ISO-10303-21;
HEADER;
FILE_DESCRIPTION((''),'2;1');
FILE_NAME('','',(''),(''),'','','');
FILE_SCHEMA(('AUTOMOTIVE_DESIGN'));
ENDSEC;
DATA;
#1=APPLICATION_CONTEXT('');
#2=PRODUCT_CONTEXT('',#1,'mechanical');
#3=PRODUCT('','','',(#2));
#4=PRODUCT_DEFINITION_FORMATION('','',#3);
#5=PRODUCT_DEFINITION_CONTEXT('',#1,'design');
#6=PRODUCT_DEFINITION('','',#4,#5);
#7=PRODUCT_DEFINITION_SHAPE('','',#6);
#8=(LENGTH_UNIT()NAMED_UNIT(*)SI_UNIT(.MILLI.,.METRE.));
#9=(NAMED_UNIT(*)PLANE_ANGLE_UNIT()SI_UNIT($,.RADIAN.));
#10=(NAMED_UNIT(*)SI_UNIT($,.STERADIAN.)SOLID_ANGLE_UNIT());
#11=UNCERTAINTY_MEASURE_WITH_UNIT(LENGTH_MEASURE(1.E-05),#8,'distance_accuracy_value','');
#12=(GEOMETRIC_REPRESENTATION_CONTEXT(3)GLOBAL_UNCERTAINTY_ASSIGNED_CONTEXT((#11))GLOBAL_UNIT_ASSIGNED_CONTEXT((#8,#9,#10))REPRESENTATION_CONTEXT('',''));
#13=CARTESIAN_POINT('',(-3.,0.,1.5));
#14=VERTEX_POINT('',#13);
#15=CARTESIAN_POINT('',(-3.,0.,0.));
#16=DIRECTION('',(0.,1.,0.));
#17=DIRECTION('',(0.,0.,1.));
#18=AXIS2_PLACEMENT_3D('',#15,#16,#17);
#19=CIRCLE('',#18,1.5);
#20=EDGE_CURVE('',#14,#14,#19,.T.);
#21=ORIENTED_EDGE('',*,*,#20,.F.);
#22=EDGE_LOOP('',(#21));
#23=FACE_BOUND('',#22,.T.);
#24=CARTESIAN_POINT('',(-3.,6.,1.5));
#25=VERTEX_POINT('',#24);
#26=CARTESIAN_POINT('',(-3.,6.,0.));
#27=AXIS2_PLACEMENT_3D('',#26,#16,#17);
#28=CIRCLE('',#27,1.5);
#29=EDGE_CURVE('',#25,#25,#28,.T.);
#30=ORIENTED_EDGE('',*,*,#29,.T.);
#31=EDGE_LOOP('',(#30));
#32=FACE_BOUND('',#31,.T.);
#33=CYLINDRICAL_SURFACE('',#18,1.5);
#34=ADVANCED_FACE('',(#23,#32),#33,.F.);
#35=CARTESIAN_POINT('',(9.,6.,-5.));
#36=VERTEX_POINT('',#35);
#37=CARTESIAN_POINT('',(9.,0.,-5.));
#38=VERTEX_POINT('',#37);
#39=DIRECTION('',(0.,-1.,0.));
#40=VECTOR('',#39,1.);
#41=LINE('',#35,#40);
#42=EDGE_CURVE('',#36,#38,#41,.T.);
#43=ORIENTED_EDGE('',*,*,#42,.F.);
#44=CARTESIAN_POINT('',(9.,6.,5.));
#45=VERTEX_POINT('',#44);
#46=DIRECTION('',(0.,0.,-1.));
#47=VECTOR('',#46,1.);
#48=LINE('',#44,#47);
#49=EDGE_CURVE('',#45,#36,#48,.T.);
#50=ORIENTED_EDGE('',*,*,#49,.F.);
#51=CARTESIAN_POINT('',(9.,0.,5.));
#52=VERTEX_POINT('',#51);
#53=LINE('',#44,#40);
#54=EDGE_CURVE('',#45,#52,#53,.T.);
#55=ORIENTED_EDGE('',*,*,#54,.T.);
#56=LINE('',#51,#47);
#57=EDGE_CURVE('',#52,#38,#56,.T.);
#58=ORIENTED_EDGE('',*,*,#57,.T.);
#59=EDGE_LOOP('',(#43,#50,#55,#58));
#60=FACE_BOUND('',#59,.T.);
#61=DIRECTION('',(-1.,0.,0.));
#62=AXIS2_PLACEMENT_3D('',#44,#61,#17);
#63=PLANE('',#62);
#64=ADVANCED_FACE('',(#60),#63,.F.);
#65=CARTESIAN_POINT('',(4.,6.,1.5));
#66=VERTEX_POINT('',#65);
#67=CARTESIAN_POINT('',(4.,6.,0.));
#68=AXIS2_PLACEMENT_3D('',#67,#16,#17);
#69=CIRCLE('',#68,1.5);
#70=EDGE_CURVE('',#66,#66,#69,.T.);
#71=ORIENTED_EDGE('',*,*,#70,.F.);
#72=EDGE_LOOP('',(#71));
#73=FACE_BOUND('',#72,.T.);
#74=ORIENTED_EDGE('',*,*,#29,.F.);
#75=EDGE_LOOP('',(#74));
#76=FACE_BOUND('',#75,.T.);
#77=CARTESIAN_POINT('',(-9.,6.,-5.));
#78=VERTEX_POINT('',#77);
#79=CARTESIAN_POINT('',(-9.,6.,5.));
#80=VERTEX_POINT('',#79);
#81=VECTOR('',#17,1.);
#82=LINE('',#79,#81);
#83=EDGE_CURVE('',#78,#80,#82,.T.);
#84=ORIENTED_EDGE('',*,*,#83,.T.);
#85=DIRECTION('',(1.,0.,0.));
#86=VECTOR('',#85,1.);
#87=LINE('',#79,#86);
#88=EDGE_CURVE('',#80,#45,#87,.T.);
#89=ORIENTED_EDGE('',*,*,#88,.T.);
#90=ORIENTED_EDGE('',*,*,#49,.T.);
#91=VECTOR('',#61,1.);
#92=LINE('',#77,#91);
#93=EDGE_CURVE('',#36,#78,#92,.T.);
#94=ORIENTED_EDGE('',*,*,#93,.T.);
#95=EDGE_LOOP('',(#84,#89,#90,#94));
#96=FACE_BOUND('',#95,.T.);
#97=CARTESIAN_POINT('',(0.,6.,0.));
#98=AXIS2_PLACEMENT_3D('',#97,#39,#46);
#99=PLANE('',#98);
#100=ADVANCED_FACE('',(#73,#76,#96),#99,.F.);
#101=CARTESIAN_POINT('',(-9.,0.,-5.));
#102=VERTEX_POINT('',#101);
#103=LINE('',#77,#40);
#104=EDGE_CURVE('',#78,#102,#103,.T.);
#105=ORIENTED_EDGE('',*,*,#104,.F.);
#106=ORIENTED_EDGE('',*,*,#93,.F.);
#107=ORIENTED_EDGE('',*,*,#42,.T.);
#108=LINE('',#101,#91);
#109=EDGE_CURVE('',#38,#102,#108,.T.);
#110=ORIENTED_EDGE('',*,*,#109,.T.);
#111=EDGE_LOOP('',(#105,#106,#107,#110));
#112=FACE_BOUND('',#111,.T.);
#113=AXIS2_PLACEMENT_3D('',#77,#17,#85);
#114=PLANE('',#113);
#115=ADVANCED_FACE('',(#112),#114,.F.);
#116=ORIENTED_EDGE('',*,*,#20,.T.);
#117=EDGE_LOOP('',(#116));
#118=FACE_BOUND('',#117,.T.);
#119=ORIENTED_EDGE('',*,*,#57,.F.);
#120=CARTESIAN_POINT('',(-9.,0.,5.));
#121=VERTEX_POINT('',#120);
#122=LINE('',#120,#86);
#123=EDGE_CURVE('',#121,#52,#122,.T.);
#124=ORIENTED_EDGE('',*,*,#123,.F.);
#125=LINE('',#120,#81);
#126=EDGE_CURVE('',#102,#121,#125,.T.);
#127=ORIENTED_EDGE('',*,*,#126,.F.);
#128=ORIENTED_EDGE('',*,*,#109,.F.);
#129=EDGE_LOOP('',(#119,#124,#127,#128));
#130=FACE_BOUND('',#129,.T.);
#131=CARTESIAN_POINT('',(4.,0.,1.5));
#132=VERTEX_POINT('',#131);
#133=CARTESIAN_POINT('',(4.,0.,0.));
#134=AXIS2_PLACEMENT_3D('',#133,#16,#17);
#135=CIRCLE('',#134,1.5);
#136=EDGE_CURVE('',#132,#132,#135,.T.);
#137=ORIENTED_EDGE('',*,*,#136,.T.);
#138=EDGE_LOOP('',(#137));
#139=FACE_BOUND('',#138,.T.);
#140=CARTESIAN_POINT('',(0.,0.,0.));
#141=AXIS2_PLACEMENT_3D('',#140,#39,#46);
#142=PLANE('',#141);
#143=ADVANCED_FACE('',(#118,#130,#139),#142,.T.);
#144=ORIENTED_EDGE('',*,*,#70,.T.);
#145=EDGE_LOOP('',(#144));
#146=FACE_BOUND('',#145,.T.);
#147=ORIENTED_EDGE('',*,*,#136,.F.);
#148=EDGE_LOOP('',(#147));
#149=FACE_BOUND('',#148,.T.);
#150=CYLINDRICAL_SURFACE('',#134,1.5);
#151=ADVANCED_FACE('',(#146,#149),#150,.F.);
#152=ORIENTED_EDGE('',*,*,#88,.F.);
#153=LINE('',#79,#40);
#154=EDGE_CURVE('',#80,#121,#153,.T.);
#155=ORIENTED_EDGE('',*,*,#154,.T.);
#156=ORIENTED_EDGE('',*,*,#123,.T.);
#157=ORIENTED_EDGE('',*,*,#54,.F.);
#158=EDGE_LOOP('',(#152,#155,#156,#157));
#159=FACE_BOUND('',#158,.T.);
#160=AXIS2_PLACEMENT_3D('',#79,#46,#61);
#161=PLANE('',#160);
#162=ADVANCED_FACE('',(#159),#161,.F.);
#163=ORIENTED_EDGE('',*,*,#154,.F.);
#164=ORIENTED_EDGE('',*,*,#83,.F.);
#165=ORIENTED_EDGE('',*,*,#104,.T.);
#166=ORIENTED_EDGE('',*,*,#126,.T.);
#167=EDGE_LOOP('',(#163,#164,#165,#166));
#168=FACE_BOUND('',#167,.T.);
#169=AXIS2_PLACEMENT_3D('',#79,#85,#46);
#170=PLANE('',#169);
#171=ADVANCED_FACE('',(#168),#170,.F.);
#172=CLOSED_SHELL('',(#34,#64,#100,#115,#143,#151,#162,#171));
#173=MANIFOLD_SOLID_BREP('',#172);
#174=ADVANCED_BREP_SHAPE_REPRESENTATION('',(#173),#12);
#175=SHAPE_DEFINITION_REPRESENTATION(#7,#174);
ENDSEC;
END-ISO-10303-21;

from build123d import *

# Parameters (mm, degrees)
SKETCH1_W           = 18
SKETCH1_H           = 10
BOSS_EXTRUDE1_DEPTH = 6
SKETCH2_R           = 1.5
CUT_EXTRUDE1_DEPTH  = 12.916375288


with BuildPart() as part:
    # Sketch1 → Boss-Extrude1 (new body)
    with BuildSketch(Plane(origin=(0, 0, 0), x_dir=(1, 0, 0), z_dir=(0, 1, 0))):
        Rectangle(SKETCH1_W, SKETCH1_H)
    extrude(amount=BOSS_EXTRUDE1_DEPTH)

    # Sketch2 → Cut-Extrude1 (cut, through all)
    with BuildSketch(Plane(origin=(0, 6, 0), x_dir=(1, 0, 0), z_dir=(0, 1, 0))):
        with Locations(Location((-3, 0, 0), (0, 0, 270))):
            Circle(SKETCH2_R)
        with Locations(Location((4, 0, 0), (0, 0, 270))):
            Circle(SKETCH2_R)
    extrude(amount=-CUT_EXTRUDE1_DEPTH, mode=Mode.SUBTRACT)


solid = part.part
